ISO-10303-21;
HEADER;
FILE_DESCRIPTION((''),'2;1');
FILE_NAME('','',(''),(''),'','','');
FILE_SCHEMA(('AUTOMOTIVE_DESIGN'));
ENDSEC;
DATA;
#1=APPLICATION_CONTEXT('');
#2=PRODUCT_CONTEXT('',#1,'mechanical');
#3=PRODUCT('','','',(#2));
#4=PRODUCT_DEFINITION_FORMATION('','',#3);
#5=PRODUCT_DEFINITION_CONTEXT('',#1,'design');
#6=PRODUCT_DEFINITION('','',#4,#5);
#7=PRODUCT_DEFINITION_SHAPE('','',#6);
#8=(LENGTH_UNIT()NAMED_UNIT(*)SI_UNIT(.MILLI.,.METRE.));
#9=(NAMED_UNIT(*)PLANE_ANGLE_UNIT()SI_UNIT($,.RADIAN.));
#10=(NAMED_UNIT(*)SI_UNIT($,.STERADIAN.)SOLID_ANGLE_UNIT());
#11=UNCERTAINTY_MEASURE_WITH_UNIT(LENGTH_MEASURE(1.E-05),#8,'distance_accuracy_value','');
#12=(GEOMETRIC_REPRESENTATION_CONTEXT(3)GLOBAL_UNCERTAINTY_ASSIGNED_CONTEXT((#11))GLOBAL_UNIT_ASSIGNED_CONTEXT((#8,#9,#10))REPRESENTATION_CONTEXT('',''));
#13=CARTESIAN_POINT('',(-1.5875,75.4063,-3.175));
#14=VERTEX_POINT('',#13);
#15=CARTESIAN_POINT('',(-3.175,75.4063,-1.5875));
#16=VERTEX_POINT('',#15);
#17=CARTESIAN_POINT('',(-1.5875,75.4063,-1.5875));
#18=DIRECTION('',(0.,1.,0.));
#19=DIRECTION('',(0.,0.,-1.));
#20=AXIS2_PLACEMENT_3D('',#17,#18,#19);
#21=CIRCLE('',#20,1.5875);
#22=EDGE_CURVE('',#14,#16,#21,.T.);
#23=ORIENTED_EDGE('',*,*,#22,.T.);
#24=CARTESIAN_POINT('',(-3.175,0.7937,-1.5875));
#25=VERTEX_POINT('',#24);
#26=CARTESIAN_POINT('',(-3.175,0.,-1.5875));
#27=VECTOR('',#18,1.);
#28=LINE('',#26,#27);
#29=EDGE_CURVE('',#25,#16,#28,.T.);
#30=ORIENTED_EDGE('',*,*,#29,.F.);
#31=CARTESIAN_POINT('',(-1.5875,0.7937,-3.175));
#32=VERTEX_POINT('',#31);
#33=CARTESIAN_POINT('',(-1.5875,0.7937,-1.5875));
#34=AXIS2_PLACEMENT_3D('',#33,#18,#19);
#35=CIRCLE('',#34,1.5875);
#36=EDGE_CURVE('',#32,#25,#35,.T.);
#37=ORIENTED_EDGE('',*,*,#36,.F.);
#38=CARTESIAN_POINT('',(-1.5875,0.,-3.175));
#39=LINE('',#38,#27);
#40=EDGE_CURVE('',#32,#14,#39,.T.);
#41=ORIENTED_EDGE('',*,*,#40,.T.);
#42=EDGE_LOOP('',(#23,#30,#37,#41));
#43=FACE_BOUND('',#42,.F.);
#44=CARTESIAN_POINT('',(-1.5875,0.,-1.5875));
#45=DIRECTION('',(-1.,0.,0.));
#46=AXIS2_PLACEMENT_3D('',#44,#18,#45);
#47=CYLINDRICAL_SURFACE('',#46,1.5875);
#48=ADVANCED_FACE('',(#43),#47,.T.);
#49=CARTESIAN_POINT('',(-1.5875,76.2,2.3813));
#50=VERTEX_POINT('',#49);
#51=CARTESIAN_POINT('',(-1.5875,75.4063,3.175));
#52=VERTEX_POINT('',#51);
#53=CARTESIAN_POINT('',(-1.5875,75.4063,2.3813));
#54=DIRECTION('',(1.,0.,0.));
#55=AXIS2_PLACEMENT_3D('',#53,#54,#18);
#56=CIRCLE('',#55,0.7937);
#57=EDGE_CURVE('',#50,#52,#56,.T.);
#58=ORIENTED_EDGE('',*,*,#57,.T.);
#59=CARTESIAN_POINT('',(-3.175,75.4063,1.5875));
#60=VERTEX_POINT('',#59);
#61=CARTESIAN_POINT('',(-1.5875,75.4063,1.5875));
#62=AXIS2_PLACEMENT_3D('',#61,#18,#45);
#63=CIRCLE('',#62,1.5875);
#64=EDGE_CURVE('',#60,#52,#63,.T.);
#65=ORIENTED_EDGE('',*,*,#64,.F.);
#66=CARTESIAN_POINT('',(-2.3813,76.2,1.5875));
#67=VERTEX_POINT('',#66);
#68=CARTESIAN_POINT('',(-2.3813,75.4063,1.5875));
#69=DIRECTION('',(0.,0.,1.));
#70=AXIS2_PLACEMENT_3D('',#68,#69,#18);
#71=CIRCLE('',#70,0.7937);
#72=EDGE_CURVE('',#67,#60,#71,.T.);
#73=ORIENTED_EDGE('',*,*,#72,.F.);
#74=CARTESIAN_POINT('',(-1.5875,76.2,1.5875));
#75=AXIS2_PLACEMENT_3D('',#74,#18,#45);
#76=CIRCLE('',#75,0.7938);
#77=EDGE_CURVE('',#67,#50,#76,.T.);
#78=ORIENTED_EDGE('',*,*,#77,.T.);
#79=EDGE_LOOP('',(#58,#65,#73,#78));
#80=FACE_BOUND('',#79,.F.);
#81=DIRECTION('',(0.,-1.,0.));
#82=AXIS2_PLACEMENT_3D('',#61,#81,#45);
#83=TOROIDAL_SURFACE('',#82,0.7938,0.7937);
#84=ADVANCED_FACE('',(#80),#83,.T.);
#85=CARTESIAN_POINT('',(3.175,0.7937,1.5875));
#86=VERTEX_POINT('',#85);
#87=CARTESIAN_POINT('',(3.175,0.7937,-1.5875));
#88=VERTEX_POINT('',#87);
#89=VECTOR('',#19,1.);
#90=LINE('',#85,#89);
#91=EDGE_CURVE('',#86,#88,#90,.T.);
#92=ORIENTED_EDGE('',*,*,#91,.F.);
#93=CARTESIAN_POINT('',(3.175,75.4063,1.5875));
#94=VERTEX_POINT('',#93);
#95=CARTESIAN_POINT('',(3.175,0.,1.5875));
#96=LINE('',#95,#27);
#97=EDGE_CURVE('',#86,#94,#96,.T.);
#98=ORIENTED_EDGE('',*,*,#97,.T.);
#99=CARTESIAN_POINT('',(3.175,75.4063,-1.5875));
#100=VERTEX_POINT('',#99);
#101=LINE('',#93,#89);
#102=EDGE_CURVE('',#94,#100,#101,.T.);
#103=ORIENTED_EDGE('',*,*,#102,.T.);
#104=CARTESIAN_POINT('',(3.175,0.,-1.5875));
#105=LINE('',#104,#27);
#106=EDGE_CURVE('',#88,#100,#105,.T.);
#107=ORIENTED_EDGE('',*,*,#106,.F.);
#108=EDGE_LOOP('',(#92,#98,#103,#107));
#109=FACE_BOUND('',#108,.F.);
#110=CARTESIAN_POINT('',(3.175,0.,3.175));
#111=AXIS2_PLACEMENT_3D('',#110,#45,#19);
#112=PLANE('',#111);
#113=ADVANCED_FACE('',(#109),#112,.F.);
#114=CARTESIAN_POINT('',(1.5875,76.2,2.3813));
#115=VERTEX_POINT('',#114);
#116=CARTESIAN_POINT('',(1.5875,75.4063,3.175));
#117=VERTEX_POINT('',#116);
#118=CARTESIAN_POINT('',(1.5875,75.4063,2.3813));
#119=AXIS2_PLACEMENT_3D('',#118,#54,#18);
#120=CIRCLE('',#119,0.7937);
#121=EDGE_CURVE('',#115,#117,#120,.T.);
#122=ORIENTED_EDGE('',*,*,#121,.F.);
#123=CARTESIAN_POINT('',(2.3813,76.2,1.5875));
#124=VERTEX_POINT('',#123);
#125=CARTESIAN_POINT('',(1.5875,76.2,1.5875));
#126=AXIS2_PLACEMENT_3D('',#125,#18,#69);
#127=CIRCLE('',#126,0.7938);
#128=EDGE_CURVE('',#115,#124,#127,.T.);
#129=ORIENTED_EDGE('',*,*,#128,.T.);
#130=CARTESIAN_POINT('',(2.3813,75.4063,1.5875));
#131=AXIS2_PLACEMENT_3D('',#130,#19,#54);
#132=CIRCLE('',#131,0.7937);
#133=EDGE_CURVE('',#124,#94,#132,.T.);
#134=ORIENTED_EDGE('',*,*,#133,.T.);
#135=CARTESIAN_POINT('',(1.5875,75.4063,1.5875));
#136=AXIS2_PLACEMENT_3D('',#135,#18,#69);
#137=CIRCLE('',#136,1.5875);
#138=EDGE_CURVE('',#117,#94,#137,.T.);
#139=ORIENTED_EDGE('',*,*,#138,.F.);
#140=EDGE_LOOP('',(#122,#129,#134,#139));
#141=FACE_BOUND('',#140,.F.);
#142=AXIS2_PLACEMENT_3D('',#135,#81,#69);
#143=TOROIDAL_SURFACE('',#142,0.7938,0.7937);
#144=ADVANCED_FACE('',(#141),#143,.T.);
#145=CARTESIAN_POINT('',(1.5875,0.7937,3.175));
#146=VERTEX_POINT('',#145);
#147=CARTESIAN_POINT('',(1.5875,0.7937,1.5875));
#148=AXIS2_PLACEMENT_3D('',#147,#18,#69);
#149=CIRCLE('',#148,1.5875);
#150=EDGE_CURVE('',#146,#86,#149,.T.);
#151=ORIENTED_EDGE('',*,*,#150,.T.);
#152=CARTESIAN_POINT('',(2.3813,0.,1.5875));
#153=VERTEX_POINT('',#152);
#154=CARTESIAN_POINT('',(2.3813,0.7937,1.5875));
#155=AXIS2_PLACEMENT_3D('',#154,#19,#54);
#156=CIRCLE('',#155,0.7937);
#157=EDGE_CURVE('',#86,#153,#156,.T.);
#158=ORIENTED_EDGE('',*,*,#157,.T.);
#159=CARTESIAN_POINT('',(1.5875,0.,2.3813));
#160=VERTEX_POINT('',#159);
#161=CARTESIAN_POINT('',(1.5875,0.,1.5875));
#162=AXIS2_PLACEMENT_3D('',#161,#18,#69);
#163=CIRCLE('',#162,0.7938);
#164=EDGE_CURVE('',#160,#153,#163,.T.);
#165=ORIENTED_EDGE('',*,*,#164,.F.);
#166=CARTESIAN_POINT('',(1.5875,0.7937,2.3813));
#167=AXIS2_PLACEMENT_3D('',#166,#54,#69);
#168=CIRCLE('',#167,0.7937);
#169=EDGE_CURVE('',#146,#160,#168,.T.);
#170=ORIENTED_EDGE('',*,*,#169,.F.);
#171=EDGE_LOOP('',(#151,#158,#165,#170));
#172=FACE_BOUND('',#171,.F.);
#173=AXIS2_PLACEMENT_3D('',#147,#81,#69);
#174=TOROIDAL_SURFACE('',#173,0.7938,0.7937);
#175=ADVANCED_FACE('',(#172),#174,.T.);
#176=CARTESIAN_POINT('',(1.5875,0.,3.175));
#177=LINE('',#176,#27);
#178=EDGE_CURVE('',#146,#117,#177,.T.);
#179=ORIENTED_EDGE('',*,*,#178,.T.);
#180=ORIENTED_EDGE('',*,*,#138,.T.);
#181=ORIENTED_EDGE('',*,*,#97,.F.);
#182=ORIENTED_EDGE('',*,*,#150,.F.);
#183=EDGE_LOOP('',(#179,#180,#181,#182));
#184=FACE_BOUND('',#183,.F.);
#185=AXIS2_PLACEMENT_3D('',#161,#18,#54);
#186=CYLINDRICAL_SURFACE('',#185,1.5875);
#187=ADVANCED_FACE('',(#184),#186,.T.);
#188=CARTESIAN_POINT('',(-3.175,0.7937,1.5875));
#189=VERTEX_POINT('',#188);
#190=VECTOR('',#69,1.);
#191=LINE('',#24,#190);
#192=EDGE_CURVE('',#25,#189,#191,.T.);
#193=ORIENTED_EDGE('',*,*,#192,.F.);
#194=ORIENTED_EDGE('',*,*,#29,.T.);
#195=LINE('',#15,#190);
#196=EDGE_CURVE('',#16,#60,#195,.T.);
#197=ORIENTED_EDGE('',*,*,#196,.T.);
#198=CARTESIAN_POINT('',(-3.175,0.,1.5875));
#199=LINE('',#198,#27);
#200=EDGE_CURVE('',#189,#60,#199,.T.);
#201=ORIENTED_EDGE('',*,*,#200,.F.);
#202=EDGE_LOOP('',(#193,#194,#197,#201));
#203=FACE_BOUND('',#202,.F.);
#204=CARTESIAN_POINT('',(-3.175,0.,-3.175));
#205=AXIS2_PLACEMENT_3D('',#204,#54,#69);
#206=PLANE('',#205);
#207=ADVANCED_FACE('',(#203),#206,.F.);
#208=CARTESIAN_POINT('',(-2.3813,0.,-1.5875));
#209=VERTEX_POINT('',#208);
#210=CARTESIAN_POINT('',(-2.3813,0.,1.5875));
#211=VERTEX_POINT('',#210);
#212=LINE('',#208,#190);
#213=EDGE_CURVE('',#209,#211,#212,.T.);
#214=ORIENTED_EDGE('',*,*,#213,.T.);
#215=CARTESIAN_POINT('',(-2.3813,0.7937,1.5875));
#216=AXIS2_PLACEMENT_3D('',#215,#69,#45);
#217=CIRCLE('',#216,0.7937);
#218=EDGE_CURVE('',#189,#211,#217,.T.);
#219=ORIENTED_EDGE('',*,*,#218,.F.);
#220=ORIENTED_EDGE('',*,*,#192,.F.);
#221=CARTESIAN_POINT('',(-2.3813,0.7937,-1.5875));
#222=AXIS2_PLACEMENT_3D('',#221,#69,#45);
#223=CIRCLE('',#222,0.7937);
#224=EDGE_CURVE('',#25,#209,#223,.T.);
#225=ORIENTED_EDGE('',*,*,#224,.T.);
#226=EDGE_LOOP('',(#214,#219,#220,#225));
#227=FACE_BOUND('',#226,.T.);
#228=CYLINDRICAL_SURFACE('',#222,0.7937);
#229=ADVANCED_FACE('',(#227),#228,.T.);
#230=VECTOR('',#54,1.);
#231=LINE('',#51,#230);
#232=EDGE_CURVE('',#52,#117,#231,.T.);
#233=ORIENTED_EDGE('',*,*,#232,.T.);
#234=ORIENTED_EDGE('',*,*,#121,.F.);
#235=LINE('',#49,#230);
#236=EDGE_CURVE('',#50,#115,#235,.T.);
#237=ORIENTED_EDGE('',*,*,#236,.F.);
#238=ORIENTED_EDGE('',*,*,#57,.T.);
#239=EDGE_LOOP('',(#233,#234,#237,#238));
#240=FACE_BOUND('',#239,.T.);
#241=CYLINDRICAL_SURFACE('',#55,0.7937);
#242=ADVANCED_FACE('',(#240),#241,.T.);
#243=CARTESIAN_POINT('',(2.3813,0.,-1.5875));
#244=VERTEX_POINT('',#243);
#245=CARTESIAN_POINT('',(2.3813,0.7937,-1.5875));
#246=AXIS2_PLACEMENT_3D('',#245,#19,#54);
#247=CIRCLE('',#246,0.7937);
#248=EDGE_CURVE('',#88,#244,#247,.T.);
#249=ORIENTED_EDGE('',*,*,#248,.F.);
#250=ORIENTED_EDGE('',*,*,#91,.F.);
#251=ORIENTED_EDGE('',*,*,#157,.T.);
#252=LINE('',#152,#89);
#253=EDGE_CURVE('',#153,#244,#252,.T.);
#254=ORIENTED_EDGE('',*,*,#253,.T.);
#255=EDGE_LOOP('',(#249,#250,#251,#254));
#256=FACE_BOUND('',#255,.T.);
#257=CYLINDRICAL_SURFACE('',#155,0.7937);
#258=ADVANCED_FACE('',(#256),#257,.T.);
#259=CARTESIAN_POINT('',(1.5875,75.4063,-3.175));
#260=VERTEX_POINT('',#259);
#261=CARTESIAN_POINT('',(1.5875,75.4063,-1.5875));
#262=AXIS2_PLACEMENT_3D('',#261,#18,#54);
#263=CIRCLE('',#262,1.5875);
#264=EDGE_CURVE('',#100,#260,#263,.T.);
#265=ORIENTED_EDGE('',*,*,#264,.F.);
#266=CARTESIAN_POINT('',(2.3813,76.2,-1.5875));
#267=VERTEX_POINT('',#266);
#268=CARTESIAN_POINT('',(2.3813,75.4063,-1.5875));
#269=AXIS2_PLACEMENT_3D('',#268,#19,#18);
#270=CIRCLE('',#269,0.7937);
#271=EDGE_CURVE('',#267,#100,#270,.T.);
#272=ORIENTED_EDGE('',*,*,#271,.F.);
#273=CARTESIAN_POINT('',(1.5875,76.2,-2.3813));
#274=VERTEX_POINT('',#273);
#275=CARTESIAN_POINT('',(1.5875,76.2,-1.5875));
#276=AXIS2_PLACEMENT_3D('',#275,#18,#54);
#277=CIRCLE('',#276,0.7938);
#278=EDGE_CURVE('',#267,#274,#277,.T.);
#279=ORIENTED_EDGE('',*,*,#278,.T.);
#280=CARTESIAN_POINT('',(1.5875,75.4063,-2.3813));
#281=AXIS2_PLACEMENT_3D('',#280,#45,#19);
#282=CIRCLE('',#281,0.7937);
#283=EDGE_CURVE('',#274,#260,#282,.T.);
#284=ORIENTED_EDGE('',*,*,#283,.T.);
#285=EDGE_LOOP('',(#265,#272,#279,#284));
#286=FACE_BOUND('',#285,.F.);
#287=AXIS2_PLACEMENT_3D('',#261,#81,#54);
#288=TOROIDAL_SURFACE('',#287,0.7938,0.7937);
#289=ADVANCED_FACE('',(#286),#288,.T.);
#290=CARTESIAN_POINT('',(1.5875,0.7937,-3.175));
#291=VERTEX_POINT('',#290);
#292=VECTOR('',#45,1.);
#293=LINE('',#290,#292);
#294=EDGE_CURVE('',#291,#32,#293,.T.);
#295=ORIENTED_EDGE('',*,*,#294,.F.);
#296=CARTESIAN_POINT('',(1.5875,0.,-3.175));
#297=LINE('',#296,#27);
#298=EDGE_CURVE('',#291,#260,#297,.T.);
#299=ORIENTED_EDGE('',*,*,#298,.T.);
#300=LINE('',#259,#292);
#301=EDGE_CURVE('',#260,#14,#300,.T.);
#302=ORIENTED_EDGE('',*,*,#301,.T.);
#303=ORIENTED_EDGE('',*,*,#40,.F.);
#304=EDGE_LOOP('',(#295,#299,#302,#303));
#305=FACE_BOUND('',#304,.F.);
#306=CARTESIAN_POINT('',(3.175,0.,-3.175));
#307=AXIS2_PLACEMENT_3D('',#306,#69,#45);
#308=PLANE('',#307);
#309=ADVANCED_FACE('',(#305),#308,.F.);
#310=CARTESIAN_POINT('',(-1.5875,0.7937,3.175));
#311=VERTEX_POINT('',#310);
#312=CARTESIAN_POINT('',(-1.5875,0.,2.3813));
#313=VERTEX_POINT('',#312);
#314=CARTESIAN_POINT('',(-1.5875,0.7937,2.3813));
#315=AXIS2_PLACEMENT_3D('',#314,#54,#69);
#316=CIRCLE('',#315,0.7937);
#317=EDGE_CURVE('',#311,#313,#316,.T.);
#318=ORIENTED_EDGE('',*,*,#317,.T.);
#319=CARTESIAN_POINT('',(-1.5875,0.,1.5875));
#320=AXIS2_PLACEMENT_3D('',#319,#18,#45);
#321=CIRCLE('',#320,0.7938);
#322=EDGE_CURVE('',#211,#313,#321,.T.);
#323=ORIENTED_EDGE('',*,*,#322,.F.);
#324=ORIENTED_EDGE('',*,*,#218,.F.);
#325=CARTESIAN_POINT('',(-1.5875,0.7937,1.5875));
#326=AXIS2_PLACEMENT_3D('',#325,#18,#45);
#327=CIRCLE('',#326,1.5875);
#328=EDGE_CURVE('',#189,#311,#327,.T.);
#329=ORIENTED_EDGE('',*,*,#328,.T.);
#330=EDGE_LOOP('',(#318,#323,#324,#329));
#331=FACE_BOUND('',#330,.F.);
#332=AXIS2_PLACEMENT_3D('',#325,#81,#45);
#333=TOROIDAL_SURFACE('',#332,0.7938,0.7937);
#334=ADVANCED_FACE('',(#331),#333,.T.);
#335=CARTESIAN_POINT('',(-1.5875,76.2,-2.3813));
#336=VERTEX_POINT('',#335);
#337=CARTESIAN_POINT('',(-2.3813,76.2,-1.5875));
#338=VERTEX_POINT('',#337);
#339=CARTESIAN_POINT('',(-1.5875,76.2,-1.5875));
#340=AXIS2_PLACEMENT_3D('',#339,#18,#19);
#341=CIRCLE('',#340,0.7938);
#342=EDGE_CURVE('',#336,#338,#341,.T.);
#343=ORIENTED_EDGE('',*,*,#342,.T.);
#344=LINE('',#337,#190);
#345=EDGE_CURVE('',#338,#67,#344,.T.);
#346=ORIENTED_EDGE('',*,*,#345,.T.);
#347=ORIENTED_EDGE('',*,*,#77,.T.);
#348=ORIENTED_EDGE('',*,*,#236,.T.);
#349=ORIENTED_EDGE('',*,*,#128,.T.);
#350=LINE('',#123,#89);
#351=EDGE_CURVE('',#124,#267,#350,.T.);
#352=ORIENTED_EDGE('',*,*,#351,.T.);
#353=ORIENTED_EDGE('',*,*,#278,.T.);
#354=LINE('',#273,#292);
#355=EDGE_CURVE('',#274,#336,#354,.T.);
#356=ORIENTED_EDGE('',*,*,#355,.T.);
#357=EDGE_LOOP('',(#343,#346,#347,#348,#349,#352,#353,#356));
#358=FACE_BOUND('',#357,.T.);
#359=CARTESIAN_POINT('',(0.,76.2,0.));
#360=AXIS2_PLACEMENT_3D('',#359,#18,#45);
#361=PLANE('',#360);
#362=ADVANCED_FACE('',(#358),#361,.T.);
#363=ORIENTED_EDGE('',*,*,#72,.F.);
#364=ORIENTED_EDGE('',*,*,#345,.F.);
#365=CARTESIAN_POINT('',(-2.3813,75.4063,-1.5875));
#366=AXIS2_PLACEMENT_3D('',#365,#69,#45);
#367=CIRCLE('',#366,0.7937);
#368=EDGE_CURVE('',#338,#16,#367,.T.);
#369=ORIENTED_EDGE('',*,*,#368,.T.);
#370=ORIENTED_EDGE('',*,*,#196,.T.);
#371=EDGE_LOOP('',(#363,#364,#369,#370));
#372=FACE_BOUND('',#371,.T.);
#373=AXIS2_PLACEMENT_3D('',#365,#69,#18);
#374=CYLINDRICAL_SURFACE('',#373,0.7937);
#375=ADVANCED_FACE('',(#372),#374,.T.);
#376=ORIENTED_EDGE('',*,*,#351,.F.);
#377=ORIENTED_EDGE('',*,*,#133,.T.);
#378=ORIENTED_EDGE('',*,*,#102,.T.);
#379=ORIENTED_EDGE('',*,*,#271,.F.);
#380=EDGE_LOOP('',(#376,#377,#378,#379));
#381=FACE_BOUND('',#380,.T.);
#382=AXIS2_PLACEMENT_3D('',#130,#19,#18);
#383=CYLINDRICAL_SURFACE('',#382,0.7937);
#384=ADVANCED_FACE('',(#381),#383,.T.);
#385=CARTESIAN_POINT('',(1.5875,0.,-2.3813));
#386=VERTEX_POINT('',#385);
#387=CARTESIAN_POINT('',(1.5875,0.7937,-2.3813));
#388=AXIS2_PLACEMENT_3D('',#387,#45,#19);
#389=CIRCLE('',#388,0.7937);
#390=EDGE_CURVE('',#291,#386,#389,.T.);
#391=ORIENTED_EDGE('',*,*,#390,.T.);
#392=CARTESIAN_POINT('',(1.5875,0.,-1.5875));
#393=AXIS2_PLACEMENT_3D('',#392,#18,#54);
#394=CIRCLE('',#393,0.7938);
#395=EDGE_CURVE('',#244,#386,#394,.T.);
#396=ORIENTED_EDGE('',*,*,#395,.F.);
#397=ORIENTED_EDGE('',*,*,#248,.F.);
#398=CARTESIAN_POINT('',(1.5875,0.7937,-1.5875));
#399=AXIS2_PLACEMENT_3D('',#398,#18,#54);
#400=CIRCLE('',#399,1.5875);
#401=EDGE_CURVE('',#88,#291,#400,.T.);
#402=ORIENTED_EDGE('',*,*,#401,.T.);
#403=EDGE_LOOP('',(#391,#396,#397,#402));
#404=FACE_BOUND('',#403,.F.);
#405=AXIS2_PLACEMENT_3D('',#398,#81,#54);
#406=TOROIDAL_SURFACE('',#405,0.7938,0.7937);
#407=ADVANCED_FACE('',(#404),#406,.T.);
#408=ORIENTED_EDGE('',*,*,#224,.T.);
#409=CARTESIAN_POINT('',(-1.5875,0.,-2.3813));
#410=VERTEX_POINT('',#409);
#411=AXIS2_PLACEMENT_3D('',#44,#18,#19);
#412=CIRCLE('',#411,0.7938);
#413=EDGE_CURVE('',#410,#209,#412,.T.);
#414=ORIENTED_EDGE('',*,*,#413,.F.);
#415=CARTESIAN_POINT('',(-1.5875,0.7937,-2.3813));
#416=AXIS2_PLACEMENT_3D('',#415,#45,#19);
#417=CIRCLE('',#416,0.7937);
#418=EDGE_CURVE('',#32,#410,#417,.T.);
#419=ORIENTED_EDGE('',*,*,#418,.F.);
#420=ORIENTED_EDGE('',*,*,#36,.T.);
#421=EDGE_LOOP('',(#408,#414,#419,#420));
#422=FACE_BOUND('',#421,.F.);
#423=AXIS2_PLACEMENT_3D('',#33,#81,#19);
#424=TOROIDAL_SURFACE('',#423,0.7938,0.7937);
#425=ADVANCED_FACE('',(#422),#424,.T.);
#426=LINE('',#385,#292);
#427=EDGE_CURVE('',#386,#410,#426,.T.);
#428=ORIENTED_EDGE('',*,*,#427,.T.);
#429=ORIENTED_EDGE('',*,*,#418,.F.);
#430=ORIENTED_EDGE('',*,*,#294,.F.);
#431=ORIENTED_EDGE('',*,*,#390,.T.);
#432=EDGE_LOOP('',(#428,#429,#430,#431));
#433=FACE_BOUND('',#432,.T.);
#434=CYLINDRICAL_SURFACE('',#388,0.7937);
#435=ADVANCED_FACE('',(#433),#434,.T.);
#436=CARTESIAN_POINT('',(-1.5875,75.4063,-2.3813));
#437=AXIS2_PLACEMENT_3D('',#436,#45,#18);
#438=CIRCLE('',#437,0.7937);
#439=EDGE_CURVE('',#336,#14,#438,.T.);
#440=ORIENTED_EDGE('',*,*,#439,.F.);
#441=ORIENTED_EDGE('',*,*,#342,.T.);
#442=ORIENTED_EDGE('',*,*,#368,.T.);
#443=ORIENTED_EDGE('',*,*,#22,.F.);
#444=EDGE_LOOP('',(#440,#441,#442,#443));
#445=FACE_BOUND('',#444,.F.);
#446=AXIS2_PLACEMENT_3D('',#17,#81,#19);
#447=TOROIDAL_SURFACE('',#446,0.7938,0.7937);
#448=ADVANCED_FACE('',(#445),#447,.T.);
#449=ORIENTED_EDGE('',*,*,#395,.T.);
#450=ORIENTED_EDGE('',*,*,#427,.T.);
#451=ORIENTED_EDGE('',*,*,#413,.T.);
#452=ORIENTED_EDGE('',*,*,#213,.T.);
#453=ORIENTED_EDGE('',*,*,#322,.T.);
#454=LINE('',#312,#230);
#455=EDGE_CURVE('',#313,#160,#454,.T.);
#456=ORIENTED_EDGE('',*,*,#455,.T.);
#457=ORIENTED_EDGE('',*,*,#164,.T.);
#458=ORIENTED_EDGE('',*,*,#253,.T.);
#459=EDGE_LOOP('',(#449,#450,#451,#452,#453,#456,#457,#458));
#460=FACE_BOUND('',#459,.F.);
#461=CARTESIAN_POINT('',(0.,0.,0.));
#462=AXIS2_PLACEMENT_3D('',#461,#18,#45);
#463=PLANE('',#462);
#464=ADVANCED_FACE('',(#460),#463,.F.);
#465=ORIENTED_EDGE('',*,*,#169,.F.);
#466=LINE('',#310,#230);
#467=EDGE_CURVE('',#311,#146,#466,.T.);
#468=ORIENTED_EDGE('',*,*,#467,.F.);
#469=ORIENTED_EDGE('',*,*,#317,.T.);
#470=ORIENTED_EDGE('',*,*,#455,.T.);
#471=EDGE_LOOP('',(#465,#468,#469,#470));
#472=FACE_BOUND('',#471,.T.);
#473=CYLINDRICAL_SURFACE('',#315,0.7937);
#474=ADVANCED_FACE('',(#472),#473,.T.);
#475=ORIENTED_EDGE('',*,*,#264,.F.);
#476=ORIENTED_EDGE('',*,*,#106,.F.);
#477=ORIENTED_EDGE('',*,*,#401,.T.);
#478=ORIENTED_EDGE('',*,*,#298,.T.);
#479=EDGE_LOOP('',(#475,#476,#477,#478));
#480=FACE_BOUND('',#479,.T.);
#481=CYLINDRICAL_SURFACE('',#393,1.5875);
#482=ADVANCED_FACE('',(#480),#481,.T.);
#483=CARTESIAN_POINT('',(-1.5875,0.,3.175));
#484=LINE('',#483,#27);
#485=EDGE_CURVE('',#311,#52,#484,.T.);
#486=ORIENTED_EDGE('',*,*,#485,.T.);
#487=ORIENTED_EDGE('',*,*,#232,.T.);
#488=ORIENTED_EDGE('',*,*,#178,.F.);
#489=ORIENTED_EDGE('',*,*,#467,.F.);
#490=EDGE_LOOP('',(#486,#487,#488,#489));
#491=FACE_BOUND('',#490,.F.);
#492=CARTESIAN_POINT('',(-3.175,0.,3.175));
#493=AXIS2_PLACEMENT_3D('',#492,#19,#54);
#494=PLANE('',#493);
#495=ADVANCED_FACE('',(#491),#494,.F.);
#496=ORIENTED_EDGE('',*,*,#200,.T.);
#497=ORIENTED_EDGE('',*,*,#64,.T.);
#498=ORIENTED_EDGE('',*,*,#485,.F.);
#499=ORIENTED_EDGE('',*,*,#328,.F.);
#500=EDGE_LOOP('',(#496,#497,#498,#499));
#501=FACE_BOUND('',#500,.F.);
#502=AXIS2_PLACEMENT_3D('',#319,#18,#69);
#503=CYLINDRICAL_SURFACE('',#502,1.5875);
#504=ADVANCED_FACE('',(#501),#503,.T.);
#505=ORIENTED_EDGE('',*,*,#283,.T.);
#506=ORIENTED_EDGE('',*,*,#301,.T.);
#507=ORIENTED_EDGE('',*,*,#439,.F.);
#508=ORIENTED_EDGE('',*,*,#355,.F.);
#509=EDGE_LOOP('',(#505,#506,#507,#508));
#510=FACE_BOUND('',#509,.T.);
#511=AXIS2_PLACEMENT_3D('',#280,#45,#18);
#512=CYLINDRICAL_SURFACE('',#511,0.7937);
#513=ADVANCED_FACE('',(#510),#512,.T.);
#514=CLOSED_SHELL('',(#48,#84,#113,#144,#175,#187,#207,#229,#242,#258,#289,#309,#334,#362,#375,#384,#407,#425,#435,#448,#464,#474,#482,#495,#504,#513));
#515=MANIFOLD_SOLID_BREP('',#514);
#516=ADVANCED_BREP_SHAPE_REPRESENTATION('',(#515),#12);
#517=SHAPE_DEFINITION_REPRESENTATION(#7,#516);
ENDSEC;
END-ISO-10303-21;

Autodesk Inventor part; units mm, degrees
ref_plane "YZ Plane" through (0, 0, 0) normal (1, 0, 0) x (0, 1, 0)
ref_plane "XZ Plane" through (0, 0, 0) normal (0, 1, 0) x (-1, 0, 0)
ref_plane "XY Plane" through (0, 0, 0) normal (0, 0, 1) x (1, 0, 0)
sketch "Sketch1" plane through (0, 0, 0) normal (0, 1, 0) x (-1, 0, 0)
  line L0 (-3.175, -3.175) -> (3.175, -3.175)
  line L1 (3.175, -3.175) -> (3.175, 3.175)
  line L2 (3.175, 3.175) -> (-3.175, 3.175)
  line L3 (-3.175, 3.175) -> (-3.175, -3.175)
  line L4 (-3.175, -3.175) -> (3.175, 3.175) construction
  line L5 (3.175, -3.175) -> (-3.175, 3.175) construction
  point P0 (0, 0)
  dimension "d0" = 6.35
  dimension "d1" = 6.35
extrude "Extrusion1" add sketch "Sketch1" along normal blind 76.2
fillet "Fillet1" radius 1.5875 4 edges at (3.175, 38.1, -3.175) (-3.175, 38.1, -3.175) (3.175, 38.1, 3.175) (-3.175, 38.1, 3.175)
fillet "Fillet2" radius 0.7937 16 edges at (3.175, 0, 0) (2.71, 0, -2.71) (0, 0, -3.175) (-2.71, 0, -2.71) (-3.175, 0, 0) (-2.71, 0, 2.71) (0, 0, 3.175) (2.71, 0, 2.71) (0, 76.2, 3.175) (-2.71, 76.2, 2.71) (-3.175, 76.2, 0) (-2.71, 76.2, -2.71) (0, 76.2, -3.175) (2.71, 76.2, -2.71) (3.175, 76.2, 0) (2.71, 76.2, 2.71)
properties part number "3inch" material "Stainless Steel"
